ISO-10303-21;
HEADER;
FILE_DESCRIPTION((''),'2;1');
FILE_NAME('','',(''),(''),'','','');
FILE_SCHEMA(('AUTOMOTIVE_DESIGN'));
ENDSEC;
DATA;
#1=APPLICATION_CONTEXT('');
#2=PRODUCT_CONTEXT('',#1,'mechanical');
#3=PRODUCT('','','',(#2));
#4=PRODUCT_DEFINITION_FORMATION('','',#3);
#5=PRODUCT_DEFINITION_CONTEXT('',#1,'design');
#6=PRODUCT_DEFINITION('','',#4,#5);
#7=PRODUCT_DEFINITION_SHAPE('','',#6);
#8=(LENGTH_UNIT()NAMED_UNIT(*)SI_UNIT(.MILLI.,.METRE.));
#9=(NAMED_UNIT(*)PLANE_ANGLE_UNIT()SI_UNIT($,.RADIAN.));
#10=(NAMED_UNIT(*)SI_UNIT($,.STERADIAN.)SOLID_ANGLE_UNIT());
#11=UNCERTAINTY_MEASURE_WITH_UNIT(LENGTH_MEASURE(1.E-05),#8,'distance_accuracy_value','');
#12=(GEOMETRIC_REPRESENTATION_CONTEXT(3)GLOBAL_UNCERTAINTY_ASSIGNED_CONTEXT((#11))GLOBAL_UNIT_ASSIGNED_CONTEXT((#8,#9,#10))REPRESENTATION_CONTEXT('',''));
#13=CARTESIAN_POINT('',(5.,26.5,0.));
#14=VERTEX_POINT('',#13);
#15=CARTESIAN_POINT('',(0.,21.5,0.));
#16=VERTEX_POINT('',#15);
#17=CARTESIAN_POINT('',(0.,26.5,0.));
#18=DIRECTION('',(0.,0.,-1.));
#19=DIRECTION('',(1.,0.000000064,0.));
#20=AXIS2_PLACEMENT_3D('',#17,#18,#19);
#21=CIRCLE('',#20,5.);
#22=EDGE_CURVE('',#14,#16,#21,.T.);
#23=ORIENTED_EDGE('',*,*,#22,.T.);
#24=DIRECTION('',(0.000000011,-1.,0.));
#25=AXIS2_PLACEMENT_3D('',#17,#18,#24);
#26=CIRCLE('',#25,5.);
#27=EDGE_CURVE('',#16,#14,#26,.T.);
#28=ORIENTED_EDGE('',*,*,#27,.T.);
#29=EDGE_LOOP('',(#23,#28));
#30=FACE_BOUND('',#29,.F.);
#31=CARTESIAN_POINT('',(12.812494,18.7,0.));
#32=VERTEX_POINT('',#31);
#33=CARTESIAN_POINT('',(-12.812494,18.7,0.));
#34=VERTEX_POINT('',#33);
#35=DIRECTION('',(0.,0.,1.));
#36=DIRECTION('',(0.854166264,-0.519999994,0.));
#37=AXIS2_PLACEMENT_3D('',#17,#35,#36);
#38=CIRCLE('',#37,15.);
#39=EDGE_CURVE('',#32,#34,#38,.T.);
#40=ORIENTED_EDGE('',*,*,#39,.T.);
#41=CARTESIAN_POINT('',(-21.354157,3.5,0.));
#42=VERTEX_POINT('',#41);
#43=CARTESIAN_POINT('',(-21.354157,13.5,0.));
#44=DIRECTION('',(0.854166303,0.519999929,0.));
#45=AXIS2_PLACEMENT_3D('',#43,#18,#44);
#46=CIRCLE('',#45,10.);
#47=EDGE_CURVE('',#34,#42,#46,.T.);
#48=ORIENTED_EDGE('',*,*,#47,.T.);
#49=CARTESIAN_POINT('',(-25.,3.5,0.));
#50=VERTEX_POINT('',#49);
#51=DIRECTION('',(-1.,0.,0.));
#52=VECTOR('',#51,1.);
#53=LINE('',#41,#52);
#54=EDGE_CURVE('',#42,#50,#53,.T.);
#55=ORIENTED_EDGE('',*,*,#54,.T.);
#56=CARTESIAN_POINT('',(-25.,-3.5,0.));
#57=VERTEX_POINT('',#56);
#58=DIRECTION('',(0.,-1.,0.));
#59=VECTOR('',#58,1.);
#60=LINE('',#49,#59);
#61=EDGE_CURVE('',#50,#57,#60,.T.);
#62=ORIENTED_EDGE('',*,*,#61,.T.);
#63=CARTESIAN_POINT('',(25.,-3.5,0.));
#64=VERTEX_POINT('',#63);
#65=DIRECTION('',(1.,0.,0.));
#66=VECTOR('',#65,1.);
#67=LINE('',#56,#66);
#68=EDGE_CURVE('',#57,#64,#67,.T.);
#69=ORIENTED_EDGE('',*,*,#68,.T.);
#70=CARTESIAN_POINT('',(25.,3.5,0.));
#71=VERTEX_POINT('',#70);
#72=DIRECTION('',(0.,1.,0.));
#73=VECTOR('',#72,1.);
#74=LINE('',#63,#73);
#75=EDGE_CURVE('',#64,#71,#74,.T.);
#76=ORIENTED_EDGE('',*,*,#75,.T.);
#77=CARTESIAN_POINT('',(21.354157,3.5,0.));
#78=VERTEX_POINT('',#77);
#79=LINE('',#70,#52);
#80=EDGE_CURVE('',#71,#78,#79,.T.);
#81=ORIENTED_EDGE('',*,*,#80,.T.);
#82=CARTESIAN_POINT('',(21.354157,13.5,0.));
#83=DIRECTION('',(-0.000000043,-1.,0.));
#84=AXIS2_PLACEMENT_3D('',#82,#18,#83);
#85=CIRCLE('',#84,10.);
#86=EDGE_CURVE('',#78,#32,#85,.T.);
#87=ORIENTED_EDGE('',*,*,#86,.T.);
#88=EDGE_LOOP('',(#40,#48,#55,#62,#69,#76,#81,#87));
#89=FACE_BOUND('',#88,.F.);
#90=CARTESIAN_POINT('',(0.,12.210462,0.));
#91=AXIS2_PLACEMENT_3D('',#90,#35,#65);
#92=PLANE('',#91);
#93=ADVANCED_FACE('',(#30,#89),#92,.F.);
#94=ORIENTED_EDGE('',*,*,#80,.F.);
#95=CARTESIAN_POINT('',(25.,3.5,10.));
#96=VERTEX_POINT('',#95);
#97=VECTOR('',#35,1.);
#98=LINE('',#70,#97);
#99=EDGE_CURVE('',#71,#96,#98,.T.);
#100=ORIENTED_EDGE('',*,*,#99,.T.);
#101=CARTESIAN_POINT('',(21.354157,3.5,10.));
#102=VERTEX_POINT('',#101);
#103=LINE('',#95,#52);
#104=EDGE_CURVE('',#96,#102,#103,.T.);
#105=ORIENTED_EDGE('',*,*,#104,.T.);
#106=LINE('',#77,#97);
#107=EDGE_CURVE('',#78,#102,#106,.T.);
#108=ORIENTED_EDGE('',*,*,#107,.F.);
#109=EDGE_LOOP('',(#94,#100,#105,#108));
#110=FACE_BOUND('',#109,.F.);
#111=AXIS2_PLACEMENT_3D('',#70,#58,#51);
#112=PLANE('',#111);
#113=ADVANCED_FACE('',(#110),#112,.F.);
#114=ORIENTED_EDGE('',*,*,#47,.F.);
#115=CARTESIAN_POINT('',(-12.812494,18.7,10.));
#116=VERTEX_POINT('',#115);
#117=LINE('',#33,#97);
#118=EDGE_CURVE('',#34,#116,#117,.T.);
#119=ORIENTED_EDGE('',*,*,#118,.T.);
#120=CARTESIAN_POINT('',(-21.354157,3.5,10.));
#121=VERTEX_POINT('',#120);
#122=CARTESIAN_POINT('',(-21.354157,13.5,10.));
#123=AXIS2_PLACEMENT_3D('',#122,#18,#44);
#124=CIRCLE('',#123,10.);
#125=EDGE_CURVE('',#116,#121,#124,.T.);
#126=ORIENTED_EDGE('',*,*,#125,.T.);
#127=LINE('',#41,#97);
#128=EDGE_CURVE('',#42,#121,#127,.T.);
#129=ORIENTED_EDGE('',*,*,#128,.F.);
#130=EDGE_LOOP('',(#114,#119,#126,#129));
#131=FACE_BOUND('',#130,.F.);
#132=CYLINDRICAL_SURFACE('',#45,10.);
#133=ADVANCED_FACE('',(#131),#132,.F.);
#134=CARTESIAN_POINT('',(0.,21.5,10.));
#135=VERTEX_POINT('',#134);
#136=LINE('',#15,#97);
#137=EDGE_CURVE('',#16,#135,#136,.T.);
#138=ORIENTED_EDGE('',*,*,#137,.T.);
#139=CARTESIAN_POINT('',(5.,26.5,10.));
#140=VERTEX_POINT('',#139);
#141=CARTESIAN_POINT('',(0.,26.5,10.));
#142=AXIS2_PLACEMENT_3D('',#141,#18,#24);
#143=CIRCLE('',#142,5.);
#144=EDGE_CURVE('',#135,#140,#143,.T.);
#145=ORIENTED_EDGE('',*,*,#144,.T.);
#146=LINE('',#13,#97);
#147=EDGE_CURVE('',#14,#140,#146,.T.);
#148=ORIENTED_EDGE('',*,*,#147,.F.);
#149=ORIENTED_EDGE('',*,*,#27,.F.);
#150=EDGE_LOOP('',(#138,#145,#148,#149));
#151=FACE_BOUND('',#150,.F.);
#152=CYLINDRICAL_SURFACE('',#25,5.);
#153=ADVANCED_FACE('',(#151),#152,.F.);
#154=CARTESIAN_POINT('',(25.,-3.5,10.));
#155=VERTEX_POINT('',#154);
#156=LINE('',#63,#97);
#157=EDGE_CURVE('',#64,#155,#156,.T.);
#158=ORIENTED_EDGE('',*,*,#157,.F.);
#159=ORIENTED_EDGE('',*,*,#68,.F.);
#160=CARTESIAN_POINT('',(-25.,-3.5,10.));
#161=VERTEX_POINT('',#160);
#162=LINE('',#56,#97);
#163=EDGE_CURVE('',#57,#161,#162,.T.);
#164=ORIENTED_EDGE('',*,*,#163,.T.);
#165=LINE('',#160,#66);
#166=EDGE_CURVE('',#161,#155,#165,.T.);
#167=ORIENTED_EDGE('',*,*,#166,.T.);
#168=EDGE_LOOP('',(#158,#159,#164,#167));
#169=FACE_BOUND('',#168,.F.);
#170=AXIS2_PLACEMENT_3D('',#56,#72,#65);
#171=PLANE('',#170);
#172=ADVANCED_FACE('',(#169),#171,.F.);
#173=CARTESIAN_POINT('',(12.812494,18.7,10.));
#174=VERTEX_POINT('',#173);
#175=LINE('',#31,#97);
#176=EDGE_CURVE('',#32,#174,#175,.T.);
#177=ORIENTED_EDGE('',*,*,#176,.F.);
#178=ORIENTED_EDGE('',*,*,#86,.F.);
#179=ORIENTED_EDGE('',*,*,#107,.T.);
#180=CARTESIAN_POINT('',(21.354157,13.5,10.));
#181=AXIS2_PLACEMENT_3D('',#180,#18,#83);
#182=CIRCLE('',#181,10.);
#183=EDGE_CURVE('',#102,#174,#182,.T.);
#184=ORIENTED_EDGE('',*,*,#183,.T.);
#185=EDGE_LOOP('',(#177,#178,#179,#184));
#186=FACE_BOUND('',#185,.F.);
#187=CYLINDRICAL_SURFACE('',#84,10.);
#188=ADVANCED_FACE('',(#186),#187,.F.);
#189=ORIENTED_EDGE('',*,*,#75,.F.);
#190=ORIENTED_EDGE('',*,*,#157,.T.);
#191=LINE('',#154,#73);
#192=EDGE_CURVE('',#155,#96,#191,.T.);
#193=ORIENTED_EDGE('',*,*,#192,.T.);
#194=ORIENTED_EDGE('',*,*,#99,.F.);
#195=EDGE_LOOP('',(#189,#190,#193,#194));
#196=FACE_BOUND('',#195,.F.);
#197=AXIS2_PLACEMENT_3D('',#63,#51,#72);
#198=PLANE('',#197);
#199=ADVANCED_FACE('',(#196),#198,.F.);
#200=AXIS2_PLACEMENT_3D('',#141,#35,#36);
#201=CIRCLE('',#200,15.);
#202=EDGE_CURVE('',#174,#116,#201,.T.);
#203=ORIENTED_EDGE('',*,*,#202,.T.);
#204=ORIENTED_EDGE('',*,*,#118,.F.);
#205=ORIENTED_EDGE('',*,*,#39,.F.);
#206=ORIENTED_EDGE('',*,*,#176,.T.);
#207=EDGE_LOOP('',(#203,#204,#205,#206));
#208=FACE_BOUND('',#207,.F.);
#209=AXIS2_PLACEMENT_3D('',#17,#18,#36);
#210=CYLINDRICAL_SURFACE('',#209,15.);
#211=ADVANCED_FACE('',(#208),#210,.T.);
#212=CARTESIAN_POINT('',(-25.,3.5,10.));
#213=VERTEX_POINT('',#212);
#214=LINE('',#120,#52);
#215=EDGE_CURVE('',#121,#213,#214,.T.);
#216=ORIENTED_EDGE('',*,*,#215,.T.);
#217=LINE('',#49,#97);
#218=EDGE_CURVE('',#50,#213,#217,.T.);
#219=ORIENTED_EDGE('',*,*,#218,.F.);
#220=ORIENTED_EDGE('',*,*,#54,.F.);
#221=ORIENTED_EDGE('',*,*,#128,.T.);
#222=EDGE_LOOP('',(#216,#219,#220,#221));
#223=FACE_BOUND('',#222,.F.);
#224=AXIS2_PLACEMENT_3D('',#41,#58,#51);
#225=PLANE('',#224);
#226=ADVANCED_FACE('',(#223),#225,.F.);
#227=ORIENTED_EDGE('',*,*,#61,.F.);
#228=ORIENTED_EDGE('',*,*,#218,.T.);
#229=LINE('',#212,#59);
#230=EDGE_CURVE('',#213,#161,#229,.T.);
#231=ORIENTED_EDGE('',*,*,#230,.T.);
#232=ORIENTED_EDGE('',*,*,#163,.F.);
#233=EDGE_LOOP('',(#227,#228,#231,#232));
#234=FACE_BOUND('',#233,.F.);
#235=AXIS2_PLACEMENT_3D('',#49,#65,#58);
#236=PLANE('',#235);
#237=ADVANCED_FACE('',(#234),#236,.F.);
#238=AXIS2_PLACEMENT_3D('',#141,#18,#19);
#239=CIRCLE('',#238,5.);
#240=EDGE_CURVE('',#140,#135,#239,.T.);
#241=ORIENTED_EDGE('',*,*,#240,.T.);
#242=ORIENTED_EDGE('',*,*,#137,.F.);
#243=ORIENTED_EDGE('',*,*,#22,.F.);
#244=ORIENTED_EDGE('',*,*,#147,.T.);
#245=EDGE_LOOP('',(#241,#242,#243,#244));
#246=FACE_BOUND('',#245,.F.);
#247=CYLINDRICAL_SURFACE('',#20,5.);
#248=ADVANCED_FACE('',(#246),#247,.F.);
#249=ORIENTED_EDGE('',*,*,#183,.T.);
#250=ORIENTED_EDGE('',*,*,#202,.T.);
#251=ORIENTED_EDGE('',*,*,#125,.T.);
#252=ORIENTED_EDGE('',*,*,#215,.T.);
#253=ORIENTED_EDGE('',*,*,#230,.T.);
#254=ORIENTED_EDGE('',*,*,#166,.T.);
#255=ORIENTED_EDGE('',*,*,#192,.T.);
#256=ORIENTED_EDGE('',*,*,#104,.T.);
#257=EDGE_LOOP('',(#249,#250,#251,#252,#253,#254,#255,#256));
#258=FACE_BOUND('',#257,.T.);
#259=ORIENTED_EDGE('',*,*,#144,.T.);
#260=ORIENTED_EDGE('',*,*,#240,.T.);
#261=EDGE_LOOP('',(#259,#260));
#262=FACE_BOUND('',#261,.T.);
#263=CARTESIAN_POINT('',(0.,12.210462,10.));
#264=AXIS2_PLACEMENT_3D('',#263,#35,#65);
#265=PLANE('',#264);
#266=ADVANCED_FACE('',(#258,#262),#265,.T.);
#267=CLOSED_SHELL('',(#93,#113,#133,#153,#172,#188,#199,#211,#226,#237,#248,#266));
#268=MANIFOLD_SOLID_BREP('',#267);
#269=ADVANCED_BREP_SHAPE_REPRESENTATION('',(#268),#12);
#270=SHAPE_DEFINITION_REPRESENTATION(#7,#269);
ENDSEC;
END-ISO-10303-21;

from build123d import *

# Parameters (mm, degrees)
F1_DEPTH = 10


with BuildPart() as f1:
    # F0 (on Top) → F1 (new body)
    with BuildSketch(Plane.XY):
        with BuildLine():
            ThreePointArc((21.354157, 3.5), (12.636359, 8.601021), (12.812494, 18.7))
            ThreePointArc((12.812494, 18.7), (0, 41.5), (-12.812494, 18.7))
            ThreePointArc((-12.812494, 18.7), (-12.636359, 8.601021), (-21.354157, 3.5))
            Line((-21.354157, 3.5), (-25, 3.5))
            Line((-25, 3.5), (-25, -3.5))
            Line((-25, -3.5), (0, -3.5))
            Line((0, -3.5), (25, -3.5))
            Line((25, -3.5), (25, 3.5))
            Line((25, 3.5), (21.354157, 3.5))
        make_face()
        with BuildLine():
            ThreePointArc((5, 26.5), (3.535534, 22.964466), (0, 21.5))
            ThreePointArc((0, 21.5), (-3.535534, 30.035534), (5, 26.5))
        make_face(mode=Mode.SUBTRACT)
    extrude(amount=F1_DEPTH)


solid = f1.part
